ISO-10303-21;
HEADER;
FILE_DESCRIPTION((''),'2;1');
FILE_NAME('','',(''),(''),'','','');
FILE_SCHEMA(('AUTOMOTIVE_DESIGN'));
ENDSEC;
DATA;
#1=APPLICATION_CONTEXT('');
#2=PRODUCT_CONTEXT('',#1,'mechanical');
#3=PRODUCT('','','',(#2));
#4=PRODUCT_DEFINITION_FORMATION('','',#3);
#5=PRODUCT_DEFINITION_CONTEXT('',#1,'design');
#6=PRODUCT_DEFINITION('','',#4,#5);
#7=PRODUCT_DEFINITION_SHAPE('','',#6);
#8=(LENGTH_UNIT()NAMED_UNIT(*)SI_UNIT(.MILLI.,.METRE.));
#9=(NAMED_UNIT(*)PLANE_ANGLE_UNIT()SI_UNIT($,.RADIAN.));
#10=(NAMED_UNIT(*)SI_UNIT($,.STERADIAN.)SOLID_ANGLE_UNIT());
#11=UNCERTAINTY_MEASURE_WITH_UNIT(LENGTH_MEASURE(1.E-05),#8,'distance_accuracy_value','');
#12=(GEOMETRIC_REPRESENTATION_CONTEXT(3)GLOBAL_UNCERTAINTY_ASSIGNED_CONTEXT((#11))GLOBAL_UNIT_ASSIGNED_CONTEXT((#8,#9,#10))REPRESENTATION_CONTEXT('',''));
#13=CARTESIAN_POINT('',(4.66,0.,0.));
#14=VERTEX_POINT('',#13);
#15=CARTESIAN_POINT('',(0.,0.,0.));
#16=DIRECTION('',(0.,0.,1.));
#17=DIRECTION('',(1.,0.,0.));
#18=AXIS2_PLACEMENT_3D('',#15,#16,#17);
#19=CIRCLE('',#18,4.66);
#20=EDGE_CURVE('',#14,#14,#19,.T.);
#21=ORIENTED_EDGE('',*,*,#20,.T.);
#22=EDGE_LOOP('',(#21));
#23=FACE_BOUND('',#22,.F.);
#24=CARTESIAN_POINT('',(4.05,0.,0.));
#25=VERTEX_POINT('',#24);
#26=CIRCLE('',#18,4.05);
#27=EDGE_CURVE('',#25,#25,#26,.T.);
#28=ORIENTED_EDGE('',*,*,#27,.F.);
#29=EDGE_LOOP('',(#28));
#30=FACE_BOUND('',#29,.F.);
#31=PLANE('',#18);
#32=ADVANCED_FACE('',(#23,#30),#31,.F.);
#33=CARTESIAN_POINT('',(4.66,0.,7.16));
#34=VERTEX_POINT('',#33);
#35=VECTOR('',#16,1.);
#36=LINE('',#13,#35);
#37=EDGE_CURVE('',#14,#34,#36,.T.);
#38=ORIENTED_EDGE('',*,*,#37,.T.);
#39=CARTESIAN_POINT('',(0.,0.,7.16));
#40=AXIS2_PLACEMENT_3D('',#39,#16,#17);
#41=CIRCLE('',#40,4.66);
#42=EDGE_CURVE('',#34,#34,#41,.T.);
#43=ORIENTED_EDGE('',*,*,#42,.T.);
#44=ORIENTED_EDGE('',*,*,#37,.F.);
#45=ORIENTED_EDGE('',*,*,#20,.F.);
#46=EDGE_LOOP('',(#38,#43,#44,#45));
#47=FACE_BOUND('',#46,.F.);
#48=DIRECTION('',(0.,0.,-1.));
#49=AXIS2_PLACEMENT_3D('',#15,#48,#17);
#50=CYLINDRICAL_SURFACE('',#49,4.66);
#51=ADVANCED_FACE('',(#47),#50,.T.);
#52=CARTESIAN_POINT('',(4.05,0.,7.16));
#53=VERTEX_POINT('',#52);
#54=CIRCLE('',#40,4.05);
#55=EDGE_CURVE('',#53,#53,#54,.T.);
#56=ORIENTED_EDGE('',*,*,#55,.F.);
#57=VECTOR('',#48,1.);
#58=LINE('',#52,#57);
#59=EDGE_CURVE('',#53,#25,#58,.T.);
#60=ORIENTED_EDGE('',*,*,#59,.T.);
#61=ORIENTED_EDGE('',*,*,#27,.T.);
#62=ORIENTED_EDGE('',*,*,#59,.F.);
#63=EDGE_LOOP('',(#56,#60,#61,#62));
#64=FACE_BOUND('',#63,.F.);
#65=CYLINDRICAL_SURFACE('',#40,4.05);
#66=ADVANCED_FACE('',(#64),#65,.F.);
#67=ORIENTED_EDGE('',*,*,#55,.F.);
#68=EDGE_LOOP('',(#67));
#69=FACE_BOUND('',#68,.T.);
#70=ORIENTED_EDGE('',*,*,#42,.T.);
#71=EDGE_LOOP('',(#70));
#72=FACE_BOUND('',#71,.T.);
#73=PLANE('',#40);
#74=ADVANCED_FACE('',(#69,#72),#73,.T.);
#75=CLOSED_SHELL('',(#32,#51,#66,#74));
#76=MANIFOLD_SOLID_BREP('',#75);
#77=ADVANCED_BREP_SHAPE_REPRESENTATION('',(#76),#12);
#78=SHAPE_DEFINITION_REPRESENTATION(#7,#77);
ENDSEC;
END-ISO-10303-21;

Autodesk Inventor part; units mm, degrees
ref_plane "YZ Plane" through (0, 0, 0) normal (1, 0, 0) x (0, 1, 0)
ref_plane "XZ Plane" through (0, 0, 0) normal (0, 1, 0) x (-1, 0, 0)
ref_plane "XY Plane" through (0, 0, 0) normal (0, 0, 1) x (1, 0, 0)
sketch "Sketch1" plane through (0, 0, 0) normal (0, 0, 1) x (1, 0, 0)
  circle A0 centre (0, 0) radius 4.66
  dimension "d0" = 9.32
extrude "Extrusion1" add sketch "Sketch1" along normal blind 7.16
sketch "Sketch2" plane through (0, 0, 7.16) normal (0, 0, 1) x (1, 0, 0)
  circle A0 centre (0, 0) radius 4.05
  dimension "d3" = 8.1
extrude "Extrusion2" cut sketch "Sketch2" against normal through all
properties part number "ANALYSIS"
